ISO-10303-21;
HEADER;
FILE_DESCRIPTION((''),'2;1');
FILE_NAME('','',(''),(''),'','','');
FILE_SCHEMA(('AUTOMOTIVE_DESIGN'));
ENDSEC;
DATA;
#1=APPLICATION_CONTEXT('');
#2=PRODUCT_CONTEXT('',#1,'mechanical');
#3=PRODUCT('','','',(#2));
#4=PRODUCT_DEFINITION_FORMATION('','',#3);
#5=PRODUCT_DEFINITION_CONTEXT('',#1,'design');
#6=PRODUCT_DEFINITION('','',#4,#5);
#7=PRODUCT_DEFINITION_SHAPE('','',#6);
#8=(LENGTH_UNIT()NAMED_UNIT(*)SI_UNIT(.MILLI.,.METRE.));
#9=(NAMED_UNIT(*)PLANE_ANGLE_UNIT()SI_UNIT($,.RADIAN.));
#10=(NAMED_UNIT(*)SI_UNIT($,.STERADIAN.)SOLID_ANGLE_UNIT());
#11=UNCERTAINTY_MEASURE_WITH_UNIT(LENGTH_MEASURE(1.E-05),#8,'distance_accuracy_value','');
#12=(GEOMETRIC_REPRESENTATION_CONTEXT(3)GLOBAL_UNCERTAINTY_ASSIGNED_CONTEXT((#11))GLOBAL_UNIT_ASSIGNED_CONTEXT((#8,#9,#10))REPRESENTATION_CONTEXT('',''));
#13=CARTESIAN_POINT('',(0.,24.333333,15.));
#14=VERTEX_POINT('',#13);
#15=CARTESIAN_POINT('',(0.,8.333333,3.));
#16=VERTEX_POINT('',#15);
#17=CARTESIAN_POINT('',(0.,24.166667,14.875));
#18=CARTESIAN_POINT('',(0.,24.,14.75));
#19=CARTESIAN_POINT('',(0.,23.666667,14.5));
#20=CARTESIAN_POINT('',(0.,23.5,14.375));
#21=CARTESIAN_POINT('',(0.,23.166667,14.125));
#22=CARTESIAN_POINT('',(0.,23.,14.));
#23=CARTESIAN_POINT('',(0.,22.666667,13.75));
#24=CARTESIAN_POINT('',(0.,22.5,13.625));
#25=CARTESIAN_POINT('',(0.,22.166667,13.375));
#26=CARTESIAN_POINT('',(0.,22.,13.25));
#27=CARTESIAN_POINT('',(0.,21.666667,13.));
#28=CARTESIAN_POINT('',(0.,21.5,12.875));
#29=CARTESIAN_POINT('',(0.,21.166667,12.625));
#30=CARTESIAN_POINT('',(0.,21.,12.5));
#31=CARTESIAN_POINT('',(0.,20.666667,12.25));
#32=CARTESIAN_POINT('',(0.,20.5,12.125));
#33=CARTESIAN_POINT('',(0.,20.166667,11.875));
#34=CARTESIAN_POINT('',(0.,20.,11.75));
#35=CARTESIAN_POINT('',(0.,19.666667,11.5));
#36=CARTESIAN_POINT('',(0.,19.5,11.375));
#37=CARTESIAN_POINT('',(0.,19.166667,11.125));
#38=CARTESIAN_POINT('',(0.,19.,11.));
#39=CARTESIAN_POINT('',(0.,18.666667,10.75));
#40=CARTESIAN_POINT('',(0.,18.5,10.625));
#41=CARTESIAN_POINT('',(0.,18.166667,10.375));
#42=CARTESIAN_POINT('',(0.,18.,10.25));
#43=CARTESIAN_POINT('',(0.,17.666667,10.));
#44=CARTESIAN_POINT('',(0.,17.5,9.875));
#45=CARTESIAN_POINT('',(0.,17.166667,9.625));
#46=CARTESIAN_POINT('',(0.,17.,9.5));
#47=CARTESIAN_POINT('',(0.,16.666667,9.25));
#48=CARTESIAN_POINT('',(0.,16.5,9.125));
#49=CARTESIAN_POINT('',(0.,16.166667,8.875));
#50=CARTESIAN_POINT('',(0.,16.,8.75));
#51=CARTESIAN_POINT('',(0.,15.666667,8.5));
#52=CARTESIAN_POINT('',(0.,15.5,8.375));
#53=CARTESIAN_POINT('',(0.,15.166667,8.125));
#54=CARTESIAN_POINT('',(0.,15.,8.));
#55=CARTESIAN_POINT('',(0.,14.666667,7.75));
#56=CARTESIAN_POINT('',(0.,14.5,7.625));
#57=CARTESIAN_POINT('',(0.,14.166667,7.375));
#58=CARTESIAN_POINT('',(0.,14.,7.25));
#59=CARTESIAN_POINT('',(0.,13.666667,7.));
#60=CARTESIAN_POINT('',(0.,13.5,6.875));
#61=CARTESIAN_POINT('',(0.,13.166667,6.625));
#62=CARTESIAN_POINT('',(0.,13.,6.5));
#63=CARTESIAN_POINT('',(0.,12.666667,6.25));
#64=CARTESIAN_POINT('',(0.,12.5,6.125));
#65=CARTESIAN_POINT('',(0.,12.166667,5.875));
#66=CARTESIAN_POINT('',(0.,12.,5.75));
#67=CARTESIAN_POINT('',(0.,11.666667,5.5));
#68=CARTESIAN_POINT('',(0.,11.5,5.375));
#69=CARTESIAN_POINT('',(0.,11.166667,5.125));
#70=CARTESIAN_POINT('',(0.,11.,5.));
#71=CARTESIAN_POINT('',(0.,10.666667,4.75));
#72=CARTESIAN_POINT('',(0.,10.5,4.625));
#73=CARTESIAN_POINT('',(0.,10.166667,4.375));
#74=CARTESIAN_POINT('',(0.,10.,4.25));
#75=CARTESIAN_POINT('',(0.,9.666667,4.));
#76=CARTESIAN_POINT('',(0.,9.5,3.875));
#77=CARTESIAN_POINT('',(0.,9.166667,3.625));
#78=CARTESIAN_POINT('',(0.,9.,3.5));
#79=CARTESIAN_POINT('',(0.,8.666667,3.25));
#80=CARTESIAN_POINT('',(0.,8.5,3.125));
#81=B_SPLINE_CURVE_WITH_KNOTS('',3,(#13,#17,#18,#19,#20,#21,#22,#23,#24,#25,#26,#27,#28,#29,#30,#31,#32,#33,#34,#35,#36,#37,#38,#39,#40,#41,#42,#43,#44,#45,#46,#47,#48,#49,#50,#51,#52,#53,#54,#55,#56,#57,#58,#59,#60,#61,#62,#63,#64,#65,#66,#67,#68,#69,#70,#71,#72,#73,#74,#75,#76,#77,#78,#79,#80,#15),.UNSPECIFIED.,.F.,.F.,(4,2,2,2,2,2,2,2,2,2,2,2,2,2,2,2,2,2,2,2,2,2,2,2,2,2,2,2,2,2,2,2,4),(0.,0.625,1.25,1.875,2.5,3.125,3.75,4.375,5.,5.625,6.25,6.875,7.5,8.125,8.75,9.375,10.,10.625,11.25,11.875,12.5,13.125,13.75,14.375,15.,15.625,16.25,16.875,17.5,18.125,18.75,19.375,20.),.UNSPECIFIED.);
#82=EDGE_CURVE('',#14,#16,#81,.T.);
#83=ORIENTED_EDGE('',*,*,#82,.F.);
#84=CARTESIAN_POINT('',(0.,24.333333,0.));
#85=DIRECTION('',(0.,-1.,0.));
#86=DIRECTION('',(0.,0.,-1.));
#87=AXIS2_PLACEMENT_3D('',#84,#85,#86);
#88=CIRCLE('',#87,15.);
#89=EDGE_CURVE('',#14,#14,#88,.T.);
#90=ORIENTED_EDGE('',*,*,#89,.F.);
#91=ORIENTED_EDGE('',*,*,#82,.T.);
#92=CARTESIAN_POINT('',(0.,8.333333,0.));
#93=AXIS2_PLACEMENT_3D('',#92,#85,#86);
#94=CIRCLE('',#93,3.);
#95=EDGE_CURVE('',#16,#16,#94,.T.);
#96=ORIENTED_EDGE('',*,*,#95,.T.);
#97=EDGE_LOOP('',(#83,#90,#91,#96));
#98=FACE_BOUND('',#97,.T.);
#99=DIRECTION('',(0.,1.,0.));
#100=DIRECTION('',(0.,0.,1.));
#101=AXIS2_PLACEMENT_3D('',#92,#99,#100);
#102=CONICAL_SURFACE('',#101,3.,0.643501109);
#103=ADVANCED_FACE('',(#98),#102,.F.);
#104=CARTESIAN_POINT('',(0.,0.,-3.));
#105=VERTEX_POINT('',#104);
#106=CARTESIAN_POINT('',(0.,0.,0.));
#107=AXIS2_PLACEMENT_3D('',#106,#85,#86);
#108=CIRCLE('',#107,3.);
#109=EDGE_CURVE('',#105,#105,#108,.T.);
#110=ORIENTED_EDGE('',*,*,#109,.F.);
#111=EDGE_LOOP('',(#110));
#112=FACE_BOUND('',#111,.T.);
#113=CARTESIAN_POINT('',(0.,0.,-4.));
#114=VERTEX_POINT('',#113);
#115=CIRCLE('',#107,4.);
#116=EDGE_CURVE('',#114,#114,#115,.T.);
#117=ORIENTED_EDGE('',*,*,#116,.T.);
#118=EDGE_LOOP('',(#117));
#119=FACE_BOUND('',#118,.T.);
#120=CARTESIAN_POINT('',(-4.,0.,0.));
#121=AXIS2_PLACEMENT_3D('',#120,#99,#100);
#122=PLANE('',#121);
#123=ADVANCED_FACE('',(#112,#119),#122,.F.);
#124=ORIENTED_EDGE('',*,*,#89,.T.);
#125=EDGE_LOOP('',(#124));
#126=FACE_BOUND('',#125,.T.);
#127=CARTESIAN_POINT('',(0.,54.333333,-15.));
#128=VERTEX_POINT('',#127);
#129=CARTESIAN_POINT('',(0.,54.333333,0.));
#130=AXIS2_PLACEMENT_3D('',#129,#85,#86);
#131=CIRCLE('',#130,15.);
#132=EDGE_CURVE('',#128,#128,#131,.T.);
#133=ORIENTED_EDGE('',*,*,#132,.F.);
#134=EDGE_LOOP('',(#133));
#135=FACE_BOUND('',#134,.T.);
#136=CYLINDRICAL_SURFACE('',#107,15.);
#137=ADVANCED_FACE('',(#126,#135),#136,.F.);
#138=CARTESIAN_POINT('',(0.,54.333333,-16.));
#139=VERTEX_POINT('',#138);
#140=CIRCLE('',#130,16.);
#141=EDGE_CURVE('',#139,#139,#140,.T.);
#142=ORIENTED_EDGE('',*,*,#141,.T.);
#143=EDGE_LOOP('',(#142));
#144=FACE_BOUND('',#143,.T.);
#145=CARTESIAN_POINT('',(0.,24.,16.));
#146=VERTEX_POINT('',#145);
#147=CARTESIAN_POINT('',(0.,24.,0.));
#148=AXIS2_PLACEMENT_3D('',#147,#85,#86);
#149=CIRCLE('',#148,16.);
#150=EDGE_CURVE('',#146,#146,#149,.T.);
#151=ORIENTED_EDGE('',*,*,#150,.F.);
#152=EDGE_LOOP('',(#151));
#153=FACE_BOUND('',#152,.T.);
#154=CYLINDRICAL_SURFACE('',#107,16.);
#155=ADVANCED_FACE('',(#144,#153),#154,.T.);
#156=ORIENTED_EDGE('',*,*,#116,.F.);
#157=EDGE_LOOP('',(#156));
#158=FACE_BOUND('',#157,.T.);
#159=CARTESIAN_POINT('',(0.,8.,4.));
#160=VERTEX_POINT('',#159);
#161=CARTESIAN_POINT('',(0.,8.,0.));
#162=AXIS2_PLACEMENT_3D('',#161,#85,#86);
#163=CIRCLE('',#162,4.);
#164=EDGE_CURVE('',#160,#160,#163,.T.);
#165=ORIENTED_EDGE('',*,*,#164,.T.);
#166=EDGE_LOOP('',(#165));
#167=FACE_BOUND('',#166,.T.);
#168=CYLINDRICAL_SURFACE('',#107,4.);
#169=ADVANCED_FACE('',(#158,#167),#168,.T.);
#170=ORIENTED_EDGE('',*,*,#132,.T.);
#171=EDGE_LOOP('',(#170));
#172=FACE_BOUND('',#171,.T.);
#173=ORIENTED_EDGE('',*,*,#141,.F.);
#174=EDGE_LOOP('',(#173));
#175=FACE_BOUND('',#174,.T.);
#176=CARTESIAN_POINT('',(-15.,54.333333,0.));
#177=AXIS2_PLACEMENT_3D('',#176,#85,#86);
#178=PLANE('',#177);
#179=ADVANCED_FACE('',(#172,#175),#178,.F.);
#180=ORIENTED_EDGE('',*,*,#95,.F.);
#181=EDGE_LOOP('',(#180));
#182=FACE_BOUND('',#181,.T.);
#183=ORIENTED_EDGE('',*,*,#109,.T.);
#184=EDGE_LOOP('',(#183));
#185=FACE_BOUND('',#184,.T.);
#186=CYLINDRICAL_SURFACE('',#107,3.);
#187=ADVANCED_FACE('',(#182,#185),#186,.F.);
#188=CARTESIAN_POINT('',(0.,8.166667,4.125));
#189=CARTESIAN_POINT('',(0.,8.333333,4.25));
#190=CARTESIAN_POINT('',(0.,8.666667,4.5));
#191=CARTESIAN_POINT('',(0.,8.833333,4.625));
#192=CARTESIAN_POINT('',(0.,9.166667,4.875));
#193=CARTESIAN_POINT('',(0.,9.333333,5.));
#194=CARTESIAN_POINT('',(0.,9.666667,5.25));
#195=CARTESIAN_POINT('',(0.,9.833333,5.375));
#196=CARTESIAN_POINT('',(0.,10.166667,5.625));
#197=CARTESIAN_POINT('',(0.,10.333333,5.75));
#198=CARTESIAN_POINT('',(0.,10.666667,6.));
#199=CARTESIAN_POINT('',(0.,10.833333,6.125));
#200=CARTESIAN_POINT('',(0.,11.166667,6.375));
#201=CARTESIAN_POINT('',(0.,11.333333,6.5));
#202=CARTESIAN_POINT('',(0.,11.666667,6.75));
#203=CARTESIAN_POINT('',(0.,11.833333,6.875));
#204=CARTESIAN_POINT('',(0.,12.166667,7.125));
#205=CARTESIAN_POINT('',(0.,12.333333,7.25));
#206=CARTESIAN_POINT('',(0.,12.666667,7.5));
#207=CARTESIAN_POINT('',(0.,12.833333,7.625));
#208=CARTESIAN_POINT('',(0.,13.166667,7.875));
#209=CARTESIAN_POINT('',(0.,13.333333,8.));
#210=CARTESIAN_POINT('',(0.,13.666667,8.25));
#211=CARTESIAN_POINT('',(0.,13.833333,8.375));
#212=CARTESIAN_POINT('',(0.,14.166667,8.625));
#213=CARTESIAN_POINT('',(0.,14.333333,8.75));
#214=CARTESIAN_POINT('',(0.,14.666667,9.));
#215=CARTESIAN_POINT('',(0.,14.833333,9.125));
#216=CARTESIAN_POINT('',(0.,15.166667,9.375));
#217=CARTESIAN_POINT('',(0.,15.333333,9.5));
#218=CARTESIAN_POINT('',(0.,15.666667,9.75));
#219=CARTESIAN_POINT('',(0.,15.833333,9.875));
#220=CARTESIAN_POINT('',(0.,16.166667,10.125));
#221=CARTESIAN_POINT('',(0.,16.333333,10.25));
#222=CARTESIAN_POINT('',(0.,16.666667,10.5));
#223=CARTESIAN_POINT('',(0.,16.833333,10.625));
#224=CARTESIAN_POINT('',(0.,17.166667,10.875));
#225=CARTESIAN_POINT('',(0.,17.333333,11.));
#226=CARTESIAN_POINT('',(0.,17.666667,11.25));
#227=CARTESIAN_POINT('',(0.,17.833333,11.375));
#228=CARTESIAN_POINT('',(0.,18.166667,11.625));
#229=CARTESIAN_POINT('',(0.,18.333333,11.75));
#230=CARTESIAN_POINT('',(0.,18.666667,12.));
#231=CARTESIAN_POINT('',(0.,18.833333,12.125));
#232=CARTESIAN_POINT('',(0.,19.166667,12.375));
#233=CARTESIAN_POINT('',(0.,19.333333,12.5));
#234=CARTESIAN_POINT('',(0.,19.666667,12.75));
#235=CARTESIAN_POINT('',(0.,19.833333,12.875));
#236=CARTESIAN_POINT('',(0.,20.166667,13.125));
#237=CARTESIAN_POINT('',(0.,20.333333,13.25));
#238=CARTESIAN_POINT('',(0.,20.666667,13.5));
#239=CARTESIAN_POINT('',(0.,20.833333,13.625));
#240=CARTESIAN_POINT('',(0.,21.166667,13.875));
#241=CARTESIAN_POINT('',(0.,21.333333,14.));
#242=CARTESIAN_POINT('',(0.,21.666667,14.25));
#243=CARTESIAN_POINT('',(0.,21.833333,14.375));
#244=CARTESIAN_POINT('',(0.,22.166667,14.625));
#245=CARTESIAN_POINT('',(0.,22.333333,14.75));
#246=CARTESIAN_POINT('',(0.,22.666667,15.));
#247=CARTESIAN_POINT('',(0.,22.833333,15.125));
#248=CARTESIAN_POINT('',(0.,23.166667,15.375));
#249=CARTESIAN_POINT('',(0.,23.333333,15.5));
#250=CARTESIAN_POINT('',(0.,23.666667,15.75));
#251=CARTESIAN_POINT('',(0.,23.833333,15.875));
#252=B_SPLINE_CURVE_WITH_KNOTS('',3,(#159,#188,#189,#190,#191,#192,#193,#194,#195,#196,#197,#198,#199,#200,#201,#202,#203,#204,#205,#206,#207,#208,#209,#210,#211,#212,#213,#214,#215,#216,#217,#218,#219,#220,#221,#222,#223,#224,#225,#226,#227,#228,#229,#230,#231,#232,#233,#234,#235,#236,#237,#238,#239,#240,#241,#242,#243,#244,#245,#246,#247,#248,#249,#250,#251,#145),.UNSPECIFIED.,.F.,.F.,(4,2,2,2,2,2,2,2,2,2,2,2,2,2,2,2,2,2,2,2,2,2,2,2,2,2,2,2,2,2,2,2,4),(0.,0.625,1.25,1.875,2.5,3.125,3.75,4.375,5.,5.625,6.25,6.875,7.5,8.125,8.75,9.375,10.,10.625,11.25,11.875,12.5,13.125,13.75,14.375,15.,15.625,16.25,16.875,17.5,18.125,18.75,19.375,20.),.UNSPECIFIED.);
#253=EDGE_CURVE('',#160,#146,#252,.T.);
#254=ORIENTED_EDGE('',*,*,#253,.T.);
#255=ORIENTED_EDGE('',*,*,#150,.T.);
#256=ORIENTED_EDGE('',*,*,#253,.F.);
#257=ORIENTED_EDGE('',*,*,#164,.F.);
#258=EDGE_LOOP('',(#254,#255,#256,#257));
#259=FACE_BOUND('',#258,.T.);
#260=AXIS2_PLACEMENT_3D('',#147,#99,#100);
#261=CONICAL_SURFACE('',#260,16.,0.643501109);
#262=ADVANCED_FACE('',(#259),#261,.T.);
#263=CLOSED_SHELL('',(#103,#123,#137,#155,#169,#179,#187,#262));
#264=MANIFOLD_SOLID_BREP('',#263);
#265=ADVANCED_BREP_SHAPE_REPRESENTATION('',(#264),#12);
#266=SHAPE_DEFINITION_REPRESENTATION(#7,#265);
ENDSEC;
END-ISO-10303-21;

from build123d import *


with BuildPart() as part:
    # Esquisse1 → Révolution1 (revolve)
    with BuildSketch(Plane.XY, mode=Mode.PRIVATE) as r_volution1_sk:
        Polygon((-3, 0), (-3, 8.333333333), (-15, 24.333333333), (-15, 54.333333333), (-16, 54.333333333), (-16, 24), (-4, 8), (-4, 0), align=None)
    revolve(r_volution1_sk.sketch.rotate(Axis((0, 0, 0), (0, 1, 0)), 270), axis=Axis((0, 0, 0), (0, 1, 0)))


solid = part.part
